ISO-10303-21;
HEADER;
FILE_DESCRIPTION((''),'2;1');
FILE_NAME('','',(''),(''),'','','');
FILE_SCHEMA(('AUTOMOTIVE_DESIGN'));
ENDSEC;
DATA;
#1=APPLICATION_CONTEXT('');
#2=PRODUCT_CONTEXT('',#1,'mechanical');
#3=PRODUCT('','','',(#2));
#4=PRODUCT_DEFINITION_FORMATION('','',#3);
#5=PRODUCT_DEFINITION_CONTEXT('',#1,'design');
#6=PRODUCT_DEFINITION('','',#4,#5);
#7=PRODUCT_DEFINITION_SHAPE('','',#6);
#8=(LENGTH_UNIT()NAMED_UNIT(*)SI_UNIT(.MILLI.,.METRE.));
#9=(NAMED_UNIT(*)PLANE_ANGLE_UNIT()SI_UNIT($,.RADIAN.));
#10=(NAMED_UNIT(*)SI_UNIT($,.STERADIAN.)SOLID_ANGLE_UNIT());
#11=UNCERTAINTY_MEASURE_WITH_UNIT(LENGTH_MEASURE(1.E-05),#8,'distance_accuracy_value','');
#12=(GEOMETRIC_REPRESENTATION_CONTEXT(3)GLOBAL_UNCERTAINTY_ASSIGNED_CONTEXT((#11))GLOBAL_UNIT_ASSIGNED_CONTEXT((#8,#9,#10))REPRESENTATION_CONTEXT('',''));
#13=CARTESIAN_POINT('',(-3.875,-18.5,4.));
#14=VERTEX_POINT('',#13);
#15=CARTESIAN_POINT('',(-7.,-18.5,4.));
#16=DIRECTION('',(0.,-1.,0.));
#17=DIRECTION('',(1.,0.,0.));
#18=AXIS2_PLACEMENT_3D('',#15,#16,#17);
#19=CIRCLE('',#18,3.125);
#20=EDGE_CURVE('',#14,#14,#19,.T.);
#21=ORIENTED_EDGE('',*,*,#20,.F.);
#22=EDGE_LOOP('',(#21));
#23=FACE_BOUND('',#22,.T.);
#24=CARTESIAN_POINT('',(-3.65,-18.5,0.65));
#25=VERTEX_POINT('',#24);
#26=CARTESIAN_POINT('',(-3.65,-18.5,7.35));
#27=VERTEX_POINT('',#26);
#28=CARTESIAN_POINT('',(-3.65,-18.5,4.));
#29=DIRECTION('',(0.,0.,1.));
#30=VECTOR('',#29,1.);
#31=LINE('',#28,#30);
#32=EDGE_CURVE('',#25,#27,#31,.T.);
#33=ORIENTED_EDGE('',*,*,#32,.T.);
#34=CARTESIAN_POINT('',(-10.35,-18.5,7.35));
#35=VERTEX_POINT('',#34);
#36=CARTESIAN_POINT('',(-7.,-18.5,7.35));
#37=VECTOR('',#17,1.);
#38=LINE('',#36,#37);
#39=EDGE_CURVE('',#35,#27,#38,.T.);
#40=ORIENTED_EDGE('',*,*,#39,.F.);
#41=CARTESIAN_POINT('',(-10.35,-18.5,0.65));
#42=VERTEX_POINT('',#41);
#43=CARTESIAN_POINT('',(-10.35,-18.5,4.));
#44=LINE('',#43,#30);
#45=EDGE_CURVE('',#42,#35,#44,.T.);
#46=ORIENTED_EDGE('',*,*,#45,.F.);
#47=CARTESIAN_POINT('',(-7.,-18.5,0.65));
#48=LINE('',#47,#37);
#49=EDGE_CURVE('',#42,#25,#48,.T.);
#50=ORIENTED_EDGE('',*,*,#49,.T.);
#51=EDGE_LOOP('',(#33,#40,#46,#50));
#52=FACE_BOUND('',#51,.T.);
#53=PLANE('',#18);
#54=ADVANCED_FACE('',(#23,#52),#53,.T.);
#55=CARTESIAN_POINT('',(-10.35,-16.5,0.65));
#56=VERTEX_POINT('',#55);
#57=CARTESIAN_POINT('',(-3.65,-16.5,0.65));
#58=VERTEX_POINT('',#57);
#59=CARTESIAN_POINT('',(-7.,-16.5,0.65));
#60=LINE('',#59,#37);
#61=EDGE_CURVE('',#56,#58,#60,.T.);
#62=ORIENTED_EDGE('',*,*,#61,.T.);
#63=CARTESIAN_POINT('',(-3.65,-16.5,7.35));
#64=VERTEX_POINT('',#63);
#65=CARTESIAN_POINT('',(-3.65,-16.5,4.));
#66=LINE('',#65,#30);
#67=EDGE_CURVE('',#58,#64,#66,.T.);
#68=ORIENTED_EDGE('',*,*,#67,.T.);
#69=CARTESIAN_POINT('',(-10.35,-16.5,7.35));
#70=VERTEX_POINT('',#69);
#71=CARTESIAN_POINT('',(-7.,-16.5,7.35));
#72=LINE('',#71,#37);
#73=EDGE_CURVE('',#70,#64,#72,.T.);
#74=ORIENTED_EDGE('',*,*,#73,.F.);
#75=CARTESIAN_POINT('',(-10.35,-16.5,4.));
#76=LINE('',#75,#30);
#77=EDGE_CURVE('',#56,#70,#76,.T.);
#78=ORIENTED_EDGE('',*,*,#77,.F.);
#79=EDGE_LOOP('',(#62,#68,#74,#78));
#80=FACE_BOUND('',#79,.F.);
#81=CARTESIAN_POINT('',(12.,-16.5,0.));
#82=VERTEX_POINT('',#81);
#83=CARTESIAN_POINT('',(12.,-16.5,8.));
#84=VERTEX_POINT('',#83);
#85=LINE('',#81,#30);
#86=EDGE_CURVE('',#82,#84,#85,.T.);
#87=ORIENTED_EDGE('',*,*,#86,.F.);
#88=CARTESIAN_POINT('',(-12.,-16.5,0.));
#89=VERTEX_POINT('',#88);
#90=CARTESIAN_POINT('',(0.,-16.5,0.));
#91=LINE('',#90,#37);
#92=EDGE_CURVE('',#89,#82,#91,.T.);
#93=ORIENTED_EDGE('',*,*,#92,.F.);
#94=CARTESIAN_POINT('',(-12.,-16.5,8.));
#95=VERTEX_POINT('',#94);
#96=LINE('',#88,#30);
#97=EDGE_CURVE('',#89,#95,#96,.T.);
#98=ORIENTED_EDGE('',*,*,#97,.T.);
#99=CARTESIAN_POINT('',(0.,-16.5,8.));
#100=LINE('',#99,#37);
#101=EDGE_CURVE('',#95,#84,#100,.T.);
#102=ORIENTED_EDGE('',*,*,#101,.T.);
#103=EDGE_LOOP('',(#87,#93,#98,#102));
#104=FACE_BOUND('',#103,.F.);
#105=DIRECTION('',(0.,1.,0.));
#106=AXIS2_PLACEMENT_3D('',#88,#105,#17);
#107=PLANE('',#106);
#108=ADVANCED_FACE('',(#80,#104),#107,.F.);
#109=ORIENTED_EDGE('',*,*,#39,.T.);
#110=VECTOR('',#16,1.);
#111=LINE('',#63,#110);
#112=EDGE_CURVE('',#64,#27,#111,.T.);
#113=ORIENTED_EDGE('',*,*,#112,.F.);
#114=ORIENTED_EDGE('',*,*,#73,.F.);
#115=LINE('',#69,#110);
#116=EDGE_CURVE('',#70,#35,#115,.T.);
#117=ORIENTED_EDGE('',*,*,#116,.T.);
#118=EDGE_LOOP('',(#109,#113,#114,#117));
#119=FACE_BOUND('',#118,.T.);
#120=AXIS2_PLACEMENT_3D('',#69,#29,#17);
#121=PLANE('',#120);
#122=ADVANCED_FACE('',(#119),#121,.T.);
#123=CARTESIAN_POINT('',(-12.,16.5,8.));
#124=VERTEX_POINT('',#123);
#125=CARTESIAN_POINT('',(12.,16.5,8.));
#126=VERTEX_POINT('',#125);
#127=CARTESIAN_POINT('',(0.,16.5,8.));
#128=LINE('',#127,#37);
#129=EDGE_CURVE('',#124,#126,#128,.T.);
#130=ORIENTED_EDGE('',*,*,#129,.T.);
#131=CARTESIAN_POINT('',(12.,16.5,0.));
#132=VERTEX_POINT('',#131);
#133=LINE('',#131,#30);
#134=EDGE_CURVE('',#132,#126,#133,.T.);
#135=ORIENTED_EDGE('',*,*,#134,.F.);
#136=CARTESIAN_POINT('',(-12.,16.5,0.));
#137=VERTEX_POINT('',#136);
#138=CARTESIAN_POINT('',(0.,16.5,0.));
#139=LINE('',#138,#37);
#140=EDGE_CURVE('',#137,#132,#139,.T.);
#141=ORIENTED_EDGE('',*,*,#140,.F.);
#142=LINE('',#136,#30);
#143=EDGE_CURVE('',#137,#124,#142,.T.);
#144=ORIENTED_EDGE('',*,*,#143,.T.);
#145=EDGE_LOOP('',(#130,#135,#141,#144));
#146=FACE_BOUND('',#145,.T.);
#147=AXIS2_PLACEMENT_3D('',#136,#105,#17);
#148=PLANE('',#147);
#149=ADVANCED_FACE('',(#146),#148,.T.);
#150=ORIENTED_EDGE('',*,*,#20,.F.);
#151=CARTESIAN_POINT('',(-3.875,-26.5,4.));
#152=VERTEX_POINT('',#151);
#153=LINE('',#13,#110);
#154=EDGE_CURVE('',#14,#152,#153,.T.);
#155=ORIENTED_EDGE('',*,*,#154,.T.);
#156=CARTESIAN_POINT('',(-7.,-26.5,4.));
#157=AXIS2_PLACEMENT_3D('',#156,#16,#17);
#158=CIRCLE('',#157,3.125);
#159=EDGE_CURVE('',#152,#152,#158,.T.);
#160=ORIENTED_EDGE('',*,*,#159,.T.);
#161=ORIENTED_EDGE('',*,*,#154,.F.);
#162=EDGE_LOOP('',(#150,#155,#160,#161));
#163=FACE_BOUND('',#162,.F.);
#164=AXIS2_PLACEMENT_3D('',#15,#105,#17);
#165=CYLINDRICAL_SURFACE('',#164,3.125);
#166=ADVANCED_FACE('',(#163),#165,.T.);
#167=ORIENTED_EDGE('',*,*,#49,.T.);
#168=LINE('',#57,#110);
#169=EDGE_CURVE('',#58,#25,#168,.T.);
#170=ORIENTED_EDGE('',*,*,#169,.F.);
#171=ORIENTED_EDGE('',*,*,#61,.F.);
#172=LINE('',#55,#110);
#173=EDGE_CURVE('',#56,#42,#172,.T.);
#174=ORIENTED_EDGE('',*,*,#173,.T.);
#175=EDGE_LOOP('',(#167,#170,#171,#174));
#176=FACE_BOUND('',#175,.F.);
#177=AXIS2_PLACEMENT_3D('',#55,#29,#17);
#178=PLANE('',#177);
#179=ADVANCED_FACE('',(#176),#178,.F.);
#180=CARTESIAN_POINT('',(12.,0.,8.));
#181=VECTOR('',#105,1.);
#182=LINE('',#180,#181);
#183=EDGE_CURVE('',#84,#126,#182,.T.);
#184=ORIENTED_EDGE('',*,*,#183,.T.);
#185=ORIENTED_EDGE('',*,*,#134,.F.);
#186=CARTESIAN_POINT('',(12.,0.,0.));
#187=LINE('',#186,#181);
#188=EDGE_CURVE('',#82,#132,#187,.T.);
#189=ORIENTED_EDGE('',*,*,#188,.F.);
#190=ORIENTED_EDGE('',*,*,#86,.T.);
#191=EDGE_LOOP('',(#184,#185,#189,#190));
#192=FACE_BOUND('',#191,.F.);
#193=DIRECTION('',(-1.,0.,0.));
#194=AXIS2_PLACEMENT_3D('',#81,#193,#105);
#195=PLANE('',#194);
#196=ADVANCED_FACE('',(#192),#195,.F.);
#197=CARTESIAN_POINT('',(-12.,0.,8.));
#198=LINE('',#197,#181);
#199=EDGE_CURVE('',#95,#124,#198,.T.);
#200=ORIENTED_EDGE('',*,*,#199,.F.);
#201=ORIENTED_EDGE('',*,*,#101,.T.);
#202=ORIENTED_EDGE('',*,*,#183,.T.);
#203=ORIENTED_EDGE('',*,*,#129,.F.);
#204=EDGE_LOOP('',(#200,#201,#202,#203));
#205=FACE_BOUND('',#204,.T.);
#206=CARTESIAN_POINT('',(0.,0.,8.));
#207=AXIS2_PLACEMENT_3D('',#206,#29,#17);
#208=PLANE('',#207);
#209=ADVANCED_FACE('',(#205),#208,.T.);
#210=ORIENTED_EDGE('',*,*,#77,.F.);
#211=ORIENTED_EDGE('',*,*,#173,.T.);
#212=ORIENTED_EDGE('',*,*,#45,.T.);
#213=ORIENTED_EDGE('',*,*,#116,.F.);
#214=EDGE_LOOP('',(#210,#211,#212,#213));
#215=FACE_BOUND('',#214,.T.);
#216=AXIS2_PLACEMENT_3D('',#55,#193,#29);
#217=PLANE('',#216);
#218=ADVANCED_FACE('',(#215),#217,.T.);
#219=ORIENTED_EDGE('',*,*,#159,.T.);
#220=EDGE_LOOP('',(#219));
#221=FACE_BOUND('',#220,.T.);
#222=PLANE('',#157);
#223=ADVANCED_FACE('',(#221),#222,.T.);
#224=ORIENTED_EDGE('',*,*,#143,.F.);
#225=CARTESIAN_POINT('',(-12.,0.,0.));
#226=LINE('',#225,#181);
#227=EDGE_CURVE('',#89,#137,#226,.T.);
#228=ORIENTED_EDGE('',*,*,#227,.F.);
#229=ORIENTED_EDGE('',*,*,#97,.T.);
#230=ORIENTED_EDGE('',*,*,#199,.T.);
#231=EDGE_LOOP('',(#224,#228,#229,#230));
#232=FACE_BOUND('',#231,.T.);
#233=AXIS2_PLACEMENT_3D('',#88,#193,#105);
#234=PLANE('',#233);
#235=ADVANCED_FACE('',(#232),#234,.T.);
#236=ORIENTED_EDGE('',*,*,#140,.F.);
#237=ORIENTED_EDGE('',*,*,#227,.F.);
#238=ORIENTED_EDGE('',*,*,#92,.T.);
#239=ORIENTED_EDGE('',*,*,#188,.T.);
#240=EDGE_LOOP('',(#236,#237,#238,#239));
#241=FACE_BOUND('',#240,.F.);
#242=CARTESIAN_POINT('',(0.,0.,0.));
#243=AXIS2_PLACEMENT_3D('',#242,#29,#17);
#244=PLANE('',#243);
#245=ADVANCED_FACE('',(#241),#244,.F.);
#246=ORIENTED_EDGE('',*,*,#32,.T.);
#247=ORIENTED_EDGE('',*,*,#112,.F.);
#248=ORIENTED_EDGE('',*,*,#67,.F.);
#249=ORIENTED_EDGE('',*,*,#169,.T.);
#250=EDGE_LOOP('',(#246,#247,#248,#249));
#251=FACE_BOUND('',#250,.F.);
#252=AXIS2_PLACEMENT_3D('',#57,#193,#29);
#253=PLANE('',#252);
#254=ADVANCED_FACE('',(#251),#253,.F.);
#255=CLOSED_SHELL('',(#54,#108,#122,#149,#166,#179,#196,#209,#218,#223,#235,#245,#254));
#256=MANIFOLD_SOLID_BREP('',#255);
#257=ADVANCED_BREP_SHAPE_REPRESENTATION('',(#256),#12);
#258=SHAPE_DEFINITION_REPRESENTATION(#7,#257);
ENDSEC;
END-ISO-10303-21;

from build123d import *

# Parameters (mm, degrees)
F0_W     = 24
F0_H     = 33
F1_DEPTH = 8
F2_W     = 6.7
F2_H     = 6.7
F3_DEPTH = 2
F4_R     = 3.125
F5_DEPTH = 8


with BuildPart() as f1:
    # F0 (on Top) → F1 (new body)
    with BuildSketch(Plane.XY):
        Rectangle(F0_W, F0_H)
    extrude(amount=F1_DEPTH)

    # F2 (on face) → F3 (join)
    with BuildSketch(Plane.XZ.offset(16.5)):
        with Locations((-7, 4)):
            Rectangle(F2_W, F2_H)
    extrude(amount=F3_DEPTH)

    # F4 (on face) → F5 (join)
    with BuildSketch(Plane.XZ.offset(18.5)):
        with Locations((-7, 4)):
            Circle(F4_R)
    extrude(amount=F5_DEPTH)


solid = f1.part
